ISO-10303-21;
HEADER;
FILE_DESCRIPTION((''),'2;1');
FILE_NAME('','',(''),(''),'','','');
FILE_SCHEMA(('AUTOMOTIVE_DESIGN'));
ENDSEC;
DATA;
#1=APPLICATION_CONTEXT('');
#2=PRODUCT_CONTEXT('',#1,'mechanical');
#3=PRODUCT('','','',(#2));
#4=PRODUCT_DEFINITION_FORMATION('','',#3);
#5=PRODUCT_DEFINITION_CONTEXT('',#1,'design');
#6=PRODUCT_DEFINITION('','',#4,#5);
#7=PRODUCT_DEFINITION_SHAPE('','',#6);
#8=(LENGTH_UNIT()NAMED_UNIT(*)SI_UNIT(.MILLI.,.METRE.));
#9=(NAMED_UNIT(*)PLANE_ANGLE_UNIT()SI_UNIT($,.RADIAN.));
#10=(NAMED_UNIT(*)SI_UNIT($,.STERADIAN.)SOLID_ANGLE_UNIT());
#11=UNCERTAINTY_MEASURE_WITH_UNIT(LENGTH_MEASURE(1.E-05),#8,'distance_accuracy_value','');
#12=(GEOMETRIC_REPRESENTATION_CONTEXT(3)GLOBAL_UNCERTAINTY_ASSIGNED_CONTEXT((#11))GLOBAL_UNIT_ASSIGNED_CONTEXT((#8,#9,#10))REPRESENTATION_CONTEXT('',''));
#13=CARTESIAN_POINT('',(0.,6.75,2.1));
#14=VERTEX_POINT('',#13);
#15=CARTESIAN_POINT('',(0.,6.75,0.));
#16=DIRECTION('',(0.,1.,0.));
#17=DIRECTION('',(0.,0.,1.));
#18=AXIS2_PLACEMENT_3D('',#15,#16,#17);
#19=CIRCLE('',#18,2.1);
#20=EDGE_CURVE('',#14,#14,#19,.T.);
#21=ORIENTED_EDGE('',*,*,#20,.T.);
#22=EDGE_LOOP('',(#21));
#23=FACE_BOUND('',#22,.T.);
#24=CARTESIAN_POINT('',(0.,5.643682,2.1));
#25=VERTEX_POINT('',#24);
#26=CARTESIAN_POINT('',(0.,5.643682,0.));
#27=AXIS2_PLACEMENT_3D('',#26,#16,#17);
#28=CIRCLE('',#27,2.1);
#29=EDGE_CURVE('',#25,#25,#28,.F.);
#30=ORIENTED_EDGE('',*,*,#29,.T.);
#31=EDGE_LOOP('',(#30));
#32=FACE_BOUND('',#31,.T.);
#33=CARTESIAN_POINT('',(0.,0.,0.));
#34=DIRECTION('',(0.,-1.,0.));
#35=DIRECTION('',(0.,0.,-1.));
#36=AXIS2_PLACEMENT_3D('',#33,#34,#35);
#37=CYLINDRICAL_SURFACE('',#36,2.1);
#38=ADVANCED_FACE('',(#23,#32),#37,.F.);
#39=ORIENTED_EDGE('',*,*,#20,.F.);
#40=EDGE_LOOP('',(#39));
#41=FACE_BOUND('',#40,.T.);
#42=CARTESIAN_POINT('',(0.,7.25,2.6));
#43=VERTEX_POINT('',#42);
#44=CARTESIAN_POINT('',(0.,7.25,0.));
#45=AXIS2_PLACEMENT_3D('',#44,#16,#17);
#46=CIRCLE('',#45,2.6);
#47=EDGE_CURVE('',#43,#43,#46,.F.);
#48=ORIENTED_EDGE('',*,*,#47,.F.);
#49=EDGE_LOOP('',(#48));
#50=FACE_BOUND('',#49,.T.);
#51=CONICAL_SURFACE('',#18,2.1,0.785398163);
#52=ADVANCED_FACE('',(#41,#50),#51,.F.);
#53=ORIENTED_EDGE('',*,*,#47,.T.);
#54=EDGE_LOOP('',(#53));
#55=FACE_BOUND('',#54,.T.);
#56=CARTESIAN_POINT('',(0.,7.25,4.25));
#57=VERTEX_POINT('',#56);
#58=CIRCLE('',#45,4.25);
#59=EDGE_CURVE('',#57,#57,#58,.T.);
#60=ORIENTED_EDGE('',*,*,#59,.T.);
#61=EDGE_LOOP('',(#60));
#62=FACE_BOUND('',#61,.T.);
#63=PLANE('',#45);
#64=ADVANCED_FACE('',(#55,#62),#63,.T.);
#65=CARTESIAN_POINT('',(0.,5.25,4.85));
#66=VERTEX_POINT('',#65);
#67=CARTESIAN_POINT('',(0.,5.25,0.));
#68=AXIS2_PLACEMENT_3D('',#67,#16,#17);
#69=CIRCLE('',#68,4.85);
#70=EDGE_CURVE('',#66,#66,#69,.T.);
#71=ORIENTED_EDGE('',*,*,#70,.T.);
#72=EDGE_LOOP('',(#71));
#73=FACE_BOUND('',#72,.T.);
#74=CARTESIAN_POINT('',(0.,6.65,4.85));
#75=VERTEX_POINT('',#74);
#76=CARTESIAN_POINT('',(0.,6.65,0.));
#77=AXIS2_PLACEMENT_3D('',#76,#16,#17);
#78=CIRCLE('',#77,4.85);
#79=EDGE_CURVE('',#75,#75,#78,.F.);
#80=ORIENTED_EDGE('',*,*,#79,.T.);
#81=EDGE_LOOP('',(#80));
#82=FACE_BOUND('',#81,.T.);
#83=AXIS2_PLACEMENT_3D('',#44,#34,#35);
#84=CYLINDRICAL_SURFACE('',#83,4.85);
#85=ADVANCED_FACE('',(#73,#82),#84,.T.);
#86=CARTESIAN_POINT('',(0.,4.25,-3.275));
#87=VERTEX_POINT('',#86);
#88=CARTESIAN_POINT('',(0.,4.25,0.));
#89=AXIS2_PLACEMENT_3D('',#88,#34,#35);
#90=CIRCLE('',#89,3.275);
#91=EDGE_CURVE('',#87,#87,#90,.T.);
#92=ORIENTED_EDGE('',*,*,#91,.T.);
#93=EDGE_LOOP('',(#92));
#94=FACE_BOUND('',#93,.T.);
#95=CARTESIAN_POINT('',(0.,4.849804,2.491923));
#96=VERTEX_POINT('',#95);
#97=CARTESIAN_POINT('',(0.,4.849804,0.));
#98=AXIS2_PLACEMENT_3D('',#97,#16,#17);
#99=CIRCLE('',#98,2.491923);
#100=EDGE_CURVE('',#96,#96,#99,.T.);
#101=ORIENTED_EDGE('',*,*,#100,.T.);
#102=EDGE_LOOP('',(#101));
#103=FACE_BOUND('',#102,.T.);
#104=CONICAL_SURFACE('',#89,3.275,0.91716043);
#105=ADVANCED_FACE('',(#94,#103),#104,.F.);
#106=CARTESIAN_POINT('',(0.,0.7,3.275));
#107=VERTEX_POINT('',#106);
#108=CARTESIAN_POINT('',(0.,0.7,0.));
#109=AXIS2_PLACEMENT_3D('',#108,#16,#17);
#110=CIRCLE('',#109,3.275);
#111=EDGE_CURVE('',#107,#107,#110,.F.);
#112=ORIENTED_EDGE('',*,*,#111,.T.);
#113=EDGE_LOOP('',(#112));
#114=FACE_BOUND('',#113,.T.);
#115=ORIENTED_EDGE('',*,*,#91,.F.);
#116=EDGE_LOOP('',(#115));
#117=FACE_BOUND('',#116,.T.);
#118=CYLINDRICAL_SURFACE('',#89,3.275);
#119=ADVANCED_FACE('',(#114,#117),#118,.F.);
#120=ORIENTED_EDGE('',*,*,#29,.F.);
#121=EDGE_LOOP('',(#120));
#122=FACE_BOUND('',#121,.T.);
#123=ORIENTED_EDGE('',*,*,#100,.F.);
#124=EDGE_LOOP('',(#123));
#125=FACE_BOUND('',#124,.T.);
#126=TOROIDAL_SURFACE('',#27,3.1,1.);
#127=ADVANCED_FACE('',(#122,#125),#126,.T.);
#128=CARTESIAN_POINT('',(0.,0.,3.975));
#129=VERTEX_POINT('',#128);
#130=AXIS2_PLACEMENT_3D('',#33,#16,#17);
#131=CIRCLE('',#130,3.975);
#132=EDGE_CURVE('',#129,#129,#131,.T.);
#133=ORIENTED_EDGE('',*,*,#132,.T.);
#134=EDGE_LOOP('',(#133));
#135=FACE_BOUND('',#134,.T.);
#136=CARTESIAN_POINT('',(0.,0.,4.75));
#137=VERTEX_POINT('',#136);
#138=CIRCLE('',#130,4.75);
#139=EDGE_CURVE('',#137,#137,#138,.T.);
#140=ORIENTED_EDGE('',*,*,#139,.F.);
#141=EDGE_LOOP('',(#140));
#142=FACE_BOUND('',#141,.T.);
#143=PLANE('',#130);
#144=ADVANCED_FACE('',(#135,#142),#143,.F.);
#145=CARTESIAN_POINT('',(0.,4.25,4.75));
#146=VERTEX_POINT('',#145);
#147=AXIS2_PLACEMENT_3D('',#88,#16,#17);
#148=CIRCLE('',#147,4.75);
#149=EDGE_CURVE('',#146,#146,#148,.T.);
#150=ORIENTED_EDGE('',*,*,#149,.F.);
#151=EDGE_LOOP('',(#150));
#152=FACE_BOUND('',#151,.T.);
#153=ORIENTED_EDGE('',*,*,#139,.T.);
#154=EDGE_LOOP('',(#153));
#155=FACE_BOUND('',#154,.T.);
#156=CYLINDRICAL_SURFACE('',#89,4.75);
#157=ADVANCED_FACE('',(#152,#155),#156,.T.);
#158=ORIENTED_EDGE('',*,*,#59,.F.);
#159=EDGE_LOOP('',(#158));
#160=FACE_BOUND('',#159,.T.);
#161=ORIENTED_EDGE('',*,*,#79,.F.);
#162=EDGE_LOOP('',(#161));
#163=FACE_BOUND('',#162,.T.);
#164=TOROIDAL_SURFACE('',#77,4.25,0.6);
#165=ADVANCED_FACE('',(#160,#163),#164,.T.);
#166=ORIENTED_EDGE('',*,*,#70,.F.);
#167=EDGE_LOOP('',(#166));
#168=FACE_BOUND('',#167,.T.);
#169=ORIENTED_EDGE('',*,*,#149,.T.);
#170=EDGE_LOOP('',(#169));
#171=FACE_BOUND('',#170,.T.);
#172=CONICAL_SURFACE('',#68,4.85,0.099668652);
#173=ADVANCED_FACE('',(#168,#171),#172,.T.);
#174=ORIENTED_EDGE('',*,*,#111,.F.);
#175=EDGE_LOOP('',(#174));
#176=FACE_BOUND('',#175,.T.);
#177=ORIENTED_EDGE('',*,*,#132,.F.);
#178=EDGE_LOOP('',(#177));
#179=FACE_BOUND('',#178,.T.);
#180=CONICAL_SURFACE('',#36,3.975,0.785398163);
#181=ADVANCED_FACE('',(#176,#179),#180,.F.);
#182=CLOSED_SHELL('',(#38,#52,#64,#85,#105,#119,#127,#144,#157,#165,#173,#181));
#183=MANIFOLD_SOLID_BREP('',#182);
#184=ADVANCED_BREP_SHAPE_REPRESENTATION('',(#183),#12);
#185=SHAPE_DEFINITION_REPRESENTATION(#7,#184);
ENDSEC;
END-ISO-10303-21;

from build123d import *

# Parameters (mm, degrees)
CROQUIS1_R              = 4.75
CROQUIS1_R_2            = 3.275
SALIENTE_EXTRUIR1_DEPTH = 4.25
CROQUIS3_R              = 4.85
CROQUIS3_R_2            = 2.1
SALIENTE_EXTRUIR2_DEPTH = 2
REDONDEO1_R             = 0.6
REDONDEO2_R             = 1
CHAFL_N1_SIZE           = 0.7
CHAFL_N2_SIZE           = 0.5


with BuildPart() as part:
    # Croquis1 → Saliente-Extruir1 (new body)
    with BuildSketch(Plane(origin=(0, 0, 0), x_dir=(1, 0, 0), z_dir=(0, 1, 0))):
        Circle(CROQUIS1_R)
        Circle(CROQUIS1_R_2, mode=Mode.SUBTRACT)
    extrude(amount=SALIENTE_EXTRUIR1_DEPTH)

    # Croquis2 → Revolución1 (revolve)
    with BuildSketch(Plane.XY):
        Polygon((-4.75, 4.25), (-4.85, 5.25), (-2.1, 5.25), (-2.1, 5.15), (-3.275, 4.25), align=None)
    revolve(axis=Axis((0, 0, 0), (0, 1, 0)))

    # Croquis3 → Saliente-Extruir2 (add)
    with BuildSketch(Plane(origin=(0, 5.25, 0), x_dir=(1, 0, 0), z_dir=(0, 1, 0))):
        Circle(CROQUIS3_R)
        Circle(CROQUIS3_R_2, mode=Mode.SUBTRACT)
    extrude(amount=SALIENTE_EXTRUIR2_DEPTH)

    # Redondeo1
    redondeo1_edges = [part.edges().sort_by_distance(p)[0] for p in [
        (-4.85, 7.25, 0),
    ]]
    fillet(redondeo1_edges, radius=REDONDEO1_R)

    # Redondeo2
    redondeo2_edges = [part.edges().sort_by_distance(p)[0] for p in [
        (2.1, 5.15, 0),
    ]]
    fillet(redondeo2_edges, radius=REDONDEO2_R)

    # Chaflán1
    chafl_n1_edges = [part.edges().sort_by_distance(p)[0] for p in [
        (-3.275, 0, 0),
    ]]
    chamfer(chafl_n1_edges, length=CHAFL_N1_SIZE)

    # Chaflán2
    chafl_n2_edges = [part.edges().sort_by_distance(p)[0] for p in [
        (-2.1, 7.25, 0),
    ]]
    chamfer(chafl_n2_edges, length=CHAFL_N2_SIZE)


solid = part.part
